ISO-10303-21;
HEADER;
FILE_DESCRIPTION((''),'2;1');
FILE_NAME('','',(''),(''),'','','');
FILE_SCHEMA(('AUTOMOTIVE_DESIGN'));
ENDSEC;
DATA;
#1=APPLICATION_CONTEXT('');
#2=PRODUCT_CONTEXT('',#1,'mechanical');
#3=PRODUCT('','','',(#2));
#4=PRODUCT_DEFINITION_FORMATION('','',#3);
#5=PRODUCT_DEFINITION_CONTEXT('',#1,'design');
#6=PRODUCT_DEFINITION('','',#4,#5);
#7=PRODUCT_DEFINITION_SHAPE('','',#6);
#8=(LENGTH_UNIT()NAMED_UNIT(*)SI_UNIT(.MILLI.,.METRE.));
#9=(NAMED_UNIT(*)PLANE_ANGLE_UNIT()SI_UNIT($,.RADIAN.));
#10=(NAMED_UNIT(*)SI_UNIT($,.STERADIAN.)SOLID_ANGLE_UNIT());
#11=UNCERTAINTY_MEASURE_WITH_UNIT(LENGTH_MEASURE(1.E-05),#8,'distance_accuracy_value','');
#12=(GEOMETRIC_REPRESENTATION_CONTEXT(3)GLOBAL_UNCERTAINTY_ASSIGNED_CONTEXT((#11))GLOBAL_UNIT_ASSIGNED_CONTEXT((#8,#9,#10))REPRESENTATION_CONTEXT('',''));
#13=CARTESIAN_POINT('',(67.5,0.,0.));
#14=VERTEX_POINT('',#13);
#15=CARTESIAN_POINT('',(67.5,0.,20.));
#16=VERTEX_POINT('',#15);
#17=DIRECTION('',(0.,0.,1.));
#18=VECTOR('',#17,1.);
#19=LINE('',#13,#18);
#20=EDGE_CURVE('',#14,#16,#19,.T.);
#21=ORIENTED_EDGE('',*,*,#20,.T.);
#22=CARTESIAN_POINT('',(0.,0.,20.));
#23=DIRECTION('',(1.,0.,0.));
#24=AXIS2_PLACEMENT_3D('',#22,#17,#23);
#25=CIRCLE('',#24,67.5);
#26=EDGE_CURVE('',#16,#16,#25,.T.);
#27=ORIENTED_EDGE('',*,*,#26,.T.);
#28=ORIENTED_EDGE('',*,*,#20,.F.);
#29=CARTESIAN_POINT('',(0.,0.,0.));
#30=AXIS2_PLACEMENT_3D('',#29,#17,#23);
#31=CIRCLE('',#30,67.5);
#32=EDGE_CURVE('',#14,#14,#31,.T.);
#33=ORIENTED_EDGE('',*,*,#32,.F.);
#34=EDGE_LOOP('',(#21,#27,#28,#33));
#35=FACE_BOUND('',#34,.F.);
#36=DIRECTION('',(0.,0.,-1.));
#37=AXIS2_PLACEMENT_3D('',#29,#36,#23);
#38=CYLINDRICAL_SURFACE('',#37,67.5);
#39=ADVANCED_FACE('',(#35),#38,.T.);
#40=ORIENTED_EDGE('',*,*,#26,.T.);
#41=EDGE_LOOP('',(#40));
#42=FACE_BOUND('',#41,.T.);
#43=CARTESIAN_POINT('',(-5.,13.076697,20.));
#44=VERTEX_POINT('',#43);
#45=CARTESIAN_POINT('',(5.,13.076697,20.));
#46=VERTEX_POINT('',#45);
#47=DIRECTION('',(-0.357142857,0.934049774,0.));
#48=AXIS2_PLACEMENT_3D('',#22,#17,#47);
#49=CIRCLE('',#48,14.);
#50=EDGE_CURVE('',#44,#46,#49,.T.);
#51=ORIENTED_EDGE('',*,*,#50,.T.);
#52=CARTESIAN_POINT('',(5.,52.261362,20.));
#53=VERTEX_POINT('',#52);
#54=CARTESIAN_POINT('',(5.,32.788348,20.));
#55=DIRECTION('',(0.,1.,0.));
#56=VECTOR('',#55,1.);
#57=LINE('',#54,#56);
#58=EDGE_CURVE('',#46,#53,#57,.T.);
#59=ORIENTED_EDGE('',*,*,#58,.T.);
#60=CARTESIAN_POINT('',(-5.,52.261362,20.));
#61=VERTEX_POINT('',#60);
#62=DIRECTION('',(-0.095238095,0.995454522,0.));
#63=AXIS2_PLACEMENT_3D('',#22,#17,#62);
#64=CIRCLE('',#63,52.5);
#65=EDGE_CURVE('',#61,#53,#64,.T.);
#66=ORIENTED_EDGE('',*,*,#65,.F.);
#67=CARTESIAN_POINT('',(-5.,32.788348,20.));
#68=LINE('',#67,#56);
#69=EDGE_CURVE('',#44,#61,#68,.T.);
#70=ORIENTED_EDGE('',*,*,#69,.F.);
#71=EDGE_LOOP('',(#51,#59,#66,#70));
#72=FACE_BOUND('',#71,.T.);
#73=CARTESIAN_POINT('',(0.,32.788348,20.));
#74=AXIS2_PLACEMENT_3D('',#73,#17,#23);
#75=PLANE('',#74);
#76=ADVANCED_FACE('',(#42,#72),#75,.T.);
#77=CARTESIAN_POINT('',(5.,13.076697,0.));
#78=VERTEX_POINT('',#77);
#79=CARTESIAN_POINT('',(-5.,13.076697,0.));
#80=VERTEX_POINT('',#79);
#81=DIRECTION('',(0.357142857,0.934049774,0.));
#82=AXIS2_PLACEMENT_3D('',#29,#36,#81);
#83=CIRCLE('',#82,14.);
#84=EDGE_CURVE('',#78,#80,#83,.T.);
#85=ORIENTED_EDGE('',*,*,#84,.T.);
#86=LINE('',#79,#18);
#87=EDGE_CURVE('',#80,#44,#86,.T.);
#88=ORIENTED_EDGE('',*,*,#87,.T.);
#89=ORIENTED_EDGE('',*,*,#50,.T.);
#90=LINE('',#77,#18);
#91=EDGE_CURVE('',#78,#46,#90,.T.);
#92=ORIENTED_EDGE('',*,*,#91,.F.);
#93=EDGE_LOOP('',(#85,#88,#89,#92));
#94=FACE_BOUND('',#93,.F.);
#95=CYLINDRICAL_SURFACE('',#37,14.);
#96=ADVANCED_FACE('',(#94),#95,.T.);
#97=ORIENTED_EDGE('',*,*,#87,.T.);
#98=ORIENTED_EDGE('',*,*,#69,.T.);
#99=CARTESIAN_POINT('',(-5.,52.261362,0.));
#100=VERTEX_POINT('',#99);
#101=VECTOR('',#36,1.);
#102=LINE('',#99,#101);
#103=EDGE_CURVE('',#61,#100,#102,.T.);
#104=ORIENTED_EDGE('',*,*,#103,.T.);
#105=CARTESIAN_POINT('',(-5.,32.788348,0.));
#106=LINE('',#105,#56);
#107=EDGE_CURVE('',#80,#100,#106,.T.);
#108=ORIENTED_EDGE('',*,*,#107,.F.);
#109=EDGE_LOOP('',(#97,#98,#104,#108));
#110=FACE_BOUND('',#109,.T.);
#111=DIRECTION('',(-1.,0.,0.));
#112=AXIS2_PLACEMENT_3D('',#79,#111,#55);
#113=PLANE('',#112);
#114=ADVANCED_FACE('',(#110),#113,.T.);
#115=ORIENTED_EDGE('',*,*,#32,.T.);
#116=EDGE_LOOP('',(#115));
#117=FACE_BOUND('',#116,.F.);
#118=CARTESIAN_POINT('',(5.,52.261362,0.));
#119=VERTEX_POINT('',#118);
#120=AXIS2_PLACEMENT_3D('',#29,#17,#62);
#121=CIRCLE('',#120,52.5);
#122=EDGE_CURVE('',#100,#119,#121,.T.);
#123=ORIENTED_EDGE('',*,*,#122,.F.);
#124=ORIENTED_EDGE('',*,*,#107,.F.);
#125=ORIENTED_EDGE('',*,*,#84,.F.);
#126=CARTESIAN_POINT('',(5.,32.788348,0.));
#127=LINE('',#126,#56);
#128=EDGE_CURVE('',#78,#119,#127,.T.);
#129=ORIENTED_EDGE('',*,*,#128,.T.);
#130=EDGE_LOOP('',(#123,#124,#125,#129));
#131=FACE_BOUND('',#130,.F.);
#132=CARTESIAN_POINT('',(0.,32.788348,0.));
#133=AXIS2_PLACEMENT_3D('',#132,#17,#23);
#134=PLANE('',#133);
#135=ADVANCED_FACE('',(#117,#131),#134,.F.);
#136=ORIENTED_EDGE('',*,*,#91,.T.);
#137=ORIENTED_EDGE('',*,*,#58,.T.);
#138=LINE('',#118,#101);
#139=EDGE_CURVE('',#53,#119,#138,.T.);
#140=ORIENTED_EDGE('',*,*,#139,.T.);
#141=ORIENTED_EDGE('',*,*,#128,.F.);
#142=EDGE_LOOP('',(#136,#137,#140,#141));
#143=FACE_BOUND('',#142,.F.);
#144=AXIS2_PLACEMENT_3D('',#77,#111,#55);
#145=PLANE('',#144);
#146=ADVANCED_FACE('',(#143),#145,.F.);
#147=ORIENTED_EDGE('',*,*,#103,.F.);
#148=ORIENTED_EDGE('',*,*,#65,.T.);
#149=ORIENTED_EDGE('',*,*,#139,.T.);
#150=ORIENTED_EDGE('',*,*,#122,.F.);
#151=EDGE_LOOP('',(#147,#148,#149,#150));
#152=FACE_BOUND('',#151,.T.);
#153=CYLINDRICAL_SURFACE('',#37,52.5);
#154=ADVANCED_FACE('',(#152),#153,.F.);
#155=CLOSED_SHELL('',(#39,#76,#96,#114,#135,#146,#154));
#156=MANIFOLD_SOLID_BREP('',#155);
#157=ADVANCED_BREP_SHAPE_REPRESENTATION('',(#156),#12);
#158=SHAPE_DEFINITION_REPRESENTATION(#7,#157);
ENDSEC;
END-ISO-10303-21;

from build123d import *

# Parameters (mm, degrees)
F1_R     = 67.5
F1_R_2   = 52.5
F2_DEPTH = 20
F3_R     = 14
F4_DEPTH = 20
F5_W     = 10
F5_H     = 39.4233031694
F6_DEPTH = 20


with BuildPart() as f2:
    # F1 (on Top) → F2 (new body)
    with BuildSketch(Plane.XY):
        Circle(F1_R)
        Circle(F1_R_2, mode=Mode.SUBTRACT)
    extrude(amount=F2_DEPTH)



with BuildPart() as f4:
    # F3 (on Top) → F4 (new body)
    with BuildSketch(Plane.XY):
        Circle(F3_R)
    extrude(amount=F4_DEPTH)


with BuildPart() as f2_1:
    add(f2.part)

    add(f4.part)  # F6 merges F4
    # F5 (on Top) → F6 (join)
    with BuildSketch(Plane.XY):
        with Locations((0, 32.7883484153)):
            Rectangle(F5_W, F5_H)
    extrude(amount=F6_DEPTH)


solid = f2_1.part
